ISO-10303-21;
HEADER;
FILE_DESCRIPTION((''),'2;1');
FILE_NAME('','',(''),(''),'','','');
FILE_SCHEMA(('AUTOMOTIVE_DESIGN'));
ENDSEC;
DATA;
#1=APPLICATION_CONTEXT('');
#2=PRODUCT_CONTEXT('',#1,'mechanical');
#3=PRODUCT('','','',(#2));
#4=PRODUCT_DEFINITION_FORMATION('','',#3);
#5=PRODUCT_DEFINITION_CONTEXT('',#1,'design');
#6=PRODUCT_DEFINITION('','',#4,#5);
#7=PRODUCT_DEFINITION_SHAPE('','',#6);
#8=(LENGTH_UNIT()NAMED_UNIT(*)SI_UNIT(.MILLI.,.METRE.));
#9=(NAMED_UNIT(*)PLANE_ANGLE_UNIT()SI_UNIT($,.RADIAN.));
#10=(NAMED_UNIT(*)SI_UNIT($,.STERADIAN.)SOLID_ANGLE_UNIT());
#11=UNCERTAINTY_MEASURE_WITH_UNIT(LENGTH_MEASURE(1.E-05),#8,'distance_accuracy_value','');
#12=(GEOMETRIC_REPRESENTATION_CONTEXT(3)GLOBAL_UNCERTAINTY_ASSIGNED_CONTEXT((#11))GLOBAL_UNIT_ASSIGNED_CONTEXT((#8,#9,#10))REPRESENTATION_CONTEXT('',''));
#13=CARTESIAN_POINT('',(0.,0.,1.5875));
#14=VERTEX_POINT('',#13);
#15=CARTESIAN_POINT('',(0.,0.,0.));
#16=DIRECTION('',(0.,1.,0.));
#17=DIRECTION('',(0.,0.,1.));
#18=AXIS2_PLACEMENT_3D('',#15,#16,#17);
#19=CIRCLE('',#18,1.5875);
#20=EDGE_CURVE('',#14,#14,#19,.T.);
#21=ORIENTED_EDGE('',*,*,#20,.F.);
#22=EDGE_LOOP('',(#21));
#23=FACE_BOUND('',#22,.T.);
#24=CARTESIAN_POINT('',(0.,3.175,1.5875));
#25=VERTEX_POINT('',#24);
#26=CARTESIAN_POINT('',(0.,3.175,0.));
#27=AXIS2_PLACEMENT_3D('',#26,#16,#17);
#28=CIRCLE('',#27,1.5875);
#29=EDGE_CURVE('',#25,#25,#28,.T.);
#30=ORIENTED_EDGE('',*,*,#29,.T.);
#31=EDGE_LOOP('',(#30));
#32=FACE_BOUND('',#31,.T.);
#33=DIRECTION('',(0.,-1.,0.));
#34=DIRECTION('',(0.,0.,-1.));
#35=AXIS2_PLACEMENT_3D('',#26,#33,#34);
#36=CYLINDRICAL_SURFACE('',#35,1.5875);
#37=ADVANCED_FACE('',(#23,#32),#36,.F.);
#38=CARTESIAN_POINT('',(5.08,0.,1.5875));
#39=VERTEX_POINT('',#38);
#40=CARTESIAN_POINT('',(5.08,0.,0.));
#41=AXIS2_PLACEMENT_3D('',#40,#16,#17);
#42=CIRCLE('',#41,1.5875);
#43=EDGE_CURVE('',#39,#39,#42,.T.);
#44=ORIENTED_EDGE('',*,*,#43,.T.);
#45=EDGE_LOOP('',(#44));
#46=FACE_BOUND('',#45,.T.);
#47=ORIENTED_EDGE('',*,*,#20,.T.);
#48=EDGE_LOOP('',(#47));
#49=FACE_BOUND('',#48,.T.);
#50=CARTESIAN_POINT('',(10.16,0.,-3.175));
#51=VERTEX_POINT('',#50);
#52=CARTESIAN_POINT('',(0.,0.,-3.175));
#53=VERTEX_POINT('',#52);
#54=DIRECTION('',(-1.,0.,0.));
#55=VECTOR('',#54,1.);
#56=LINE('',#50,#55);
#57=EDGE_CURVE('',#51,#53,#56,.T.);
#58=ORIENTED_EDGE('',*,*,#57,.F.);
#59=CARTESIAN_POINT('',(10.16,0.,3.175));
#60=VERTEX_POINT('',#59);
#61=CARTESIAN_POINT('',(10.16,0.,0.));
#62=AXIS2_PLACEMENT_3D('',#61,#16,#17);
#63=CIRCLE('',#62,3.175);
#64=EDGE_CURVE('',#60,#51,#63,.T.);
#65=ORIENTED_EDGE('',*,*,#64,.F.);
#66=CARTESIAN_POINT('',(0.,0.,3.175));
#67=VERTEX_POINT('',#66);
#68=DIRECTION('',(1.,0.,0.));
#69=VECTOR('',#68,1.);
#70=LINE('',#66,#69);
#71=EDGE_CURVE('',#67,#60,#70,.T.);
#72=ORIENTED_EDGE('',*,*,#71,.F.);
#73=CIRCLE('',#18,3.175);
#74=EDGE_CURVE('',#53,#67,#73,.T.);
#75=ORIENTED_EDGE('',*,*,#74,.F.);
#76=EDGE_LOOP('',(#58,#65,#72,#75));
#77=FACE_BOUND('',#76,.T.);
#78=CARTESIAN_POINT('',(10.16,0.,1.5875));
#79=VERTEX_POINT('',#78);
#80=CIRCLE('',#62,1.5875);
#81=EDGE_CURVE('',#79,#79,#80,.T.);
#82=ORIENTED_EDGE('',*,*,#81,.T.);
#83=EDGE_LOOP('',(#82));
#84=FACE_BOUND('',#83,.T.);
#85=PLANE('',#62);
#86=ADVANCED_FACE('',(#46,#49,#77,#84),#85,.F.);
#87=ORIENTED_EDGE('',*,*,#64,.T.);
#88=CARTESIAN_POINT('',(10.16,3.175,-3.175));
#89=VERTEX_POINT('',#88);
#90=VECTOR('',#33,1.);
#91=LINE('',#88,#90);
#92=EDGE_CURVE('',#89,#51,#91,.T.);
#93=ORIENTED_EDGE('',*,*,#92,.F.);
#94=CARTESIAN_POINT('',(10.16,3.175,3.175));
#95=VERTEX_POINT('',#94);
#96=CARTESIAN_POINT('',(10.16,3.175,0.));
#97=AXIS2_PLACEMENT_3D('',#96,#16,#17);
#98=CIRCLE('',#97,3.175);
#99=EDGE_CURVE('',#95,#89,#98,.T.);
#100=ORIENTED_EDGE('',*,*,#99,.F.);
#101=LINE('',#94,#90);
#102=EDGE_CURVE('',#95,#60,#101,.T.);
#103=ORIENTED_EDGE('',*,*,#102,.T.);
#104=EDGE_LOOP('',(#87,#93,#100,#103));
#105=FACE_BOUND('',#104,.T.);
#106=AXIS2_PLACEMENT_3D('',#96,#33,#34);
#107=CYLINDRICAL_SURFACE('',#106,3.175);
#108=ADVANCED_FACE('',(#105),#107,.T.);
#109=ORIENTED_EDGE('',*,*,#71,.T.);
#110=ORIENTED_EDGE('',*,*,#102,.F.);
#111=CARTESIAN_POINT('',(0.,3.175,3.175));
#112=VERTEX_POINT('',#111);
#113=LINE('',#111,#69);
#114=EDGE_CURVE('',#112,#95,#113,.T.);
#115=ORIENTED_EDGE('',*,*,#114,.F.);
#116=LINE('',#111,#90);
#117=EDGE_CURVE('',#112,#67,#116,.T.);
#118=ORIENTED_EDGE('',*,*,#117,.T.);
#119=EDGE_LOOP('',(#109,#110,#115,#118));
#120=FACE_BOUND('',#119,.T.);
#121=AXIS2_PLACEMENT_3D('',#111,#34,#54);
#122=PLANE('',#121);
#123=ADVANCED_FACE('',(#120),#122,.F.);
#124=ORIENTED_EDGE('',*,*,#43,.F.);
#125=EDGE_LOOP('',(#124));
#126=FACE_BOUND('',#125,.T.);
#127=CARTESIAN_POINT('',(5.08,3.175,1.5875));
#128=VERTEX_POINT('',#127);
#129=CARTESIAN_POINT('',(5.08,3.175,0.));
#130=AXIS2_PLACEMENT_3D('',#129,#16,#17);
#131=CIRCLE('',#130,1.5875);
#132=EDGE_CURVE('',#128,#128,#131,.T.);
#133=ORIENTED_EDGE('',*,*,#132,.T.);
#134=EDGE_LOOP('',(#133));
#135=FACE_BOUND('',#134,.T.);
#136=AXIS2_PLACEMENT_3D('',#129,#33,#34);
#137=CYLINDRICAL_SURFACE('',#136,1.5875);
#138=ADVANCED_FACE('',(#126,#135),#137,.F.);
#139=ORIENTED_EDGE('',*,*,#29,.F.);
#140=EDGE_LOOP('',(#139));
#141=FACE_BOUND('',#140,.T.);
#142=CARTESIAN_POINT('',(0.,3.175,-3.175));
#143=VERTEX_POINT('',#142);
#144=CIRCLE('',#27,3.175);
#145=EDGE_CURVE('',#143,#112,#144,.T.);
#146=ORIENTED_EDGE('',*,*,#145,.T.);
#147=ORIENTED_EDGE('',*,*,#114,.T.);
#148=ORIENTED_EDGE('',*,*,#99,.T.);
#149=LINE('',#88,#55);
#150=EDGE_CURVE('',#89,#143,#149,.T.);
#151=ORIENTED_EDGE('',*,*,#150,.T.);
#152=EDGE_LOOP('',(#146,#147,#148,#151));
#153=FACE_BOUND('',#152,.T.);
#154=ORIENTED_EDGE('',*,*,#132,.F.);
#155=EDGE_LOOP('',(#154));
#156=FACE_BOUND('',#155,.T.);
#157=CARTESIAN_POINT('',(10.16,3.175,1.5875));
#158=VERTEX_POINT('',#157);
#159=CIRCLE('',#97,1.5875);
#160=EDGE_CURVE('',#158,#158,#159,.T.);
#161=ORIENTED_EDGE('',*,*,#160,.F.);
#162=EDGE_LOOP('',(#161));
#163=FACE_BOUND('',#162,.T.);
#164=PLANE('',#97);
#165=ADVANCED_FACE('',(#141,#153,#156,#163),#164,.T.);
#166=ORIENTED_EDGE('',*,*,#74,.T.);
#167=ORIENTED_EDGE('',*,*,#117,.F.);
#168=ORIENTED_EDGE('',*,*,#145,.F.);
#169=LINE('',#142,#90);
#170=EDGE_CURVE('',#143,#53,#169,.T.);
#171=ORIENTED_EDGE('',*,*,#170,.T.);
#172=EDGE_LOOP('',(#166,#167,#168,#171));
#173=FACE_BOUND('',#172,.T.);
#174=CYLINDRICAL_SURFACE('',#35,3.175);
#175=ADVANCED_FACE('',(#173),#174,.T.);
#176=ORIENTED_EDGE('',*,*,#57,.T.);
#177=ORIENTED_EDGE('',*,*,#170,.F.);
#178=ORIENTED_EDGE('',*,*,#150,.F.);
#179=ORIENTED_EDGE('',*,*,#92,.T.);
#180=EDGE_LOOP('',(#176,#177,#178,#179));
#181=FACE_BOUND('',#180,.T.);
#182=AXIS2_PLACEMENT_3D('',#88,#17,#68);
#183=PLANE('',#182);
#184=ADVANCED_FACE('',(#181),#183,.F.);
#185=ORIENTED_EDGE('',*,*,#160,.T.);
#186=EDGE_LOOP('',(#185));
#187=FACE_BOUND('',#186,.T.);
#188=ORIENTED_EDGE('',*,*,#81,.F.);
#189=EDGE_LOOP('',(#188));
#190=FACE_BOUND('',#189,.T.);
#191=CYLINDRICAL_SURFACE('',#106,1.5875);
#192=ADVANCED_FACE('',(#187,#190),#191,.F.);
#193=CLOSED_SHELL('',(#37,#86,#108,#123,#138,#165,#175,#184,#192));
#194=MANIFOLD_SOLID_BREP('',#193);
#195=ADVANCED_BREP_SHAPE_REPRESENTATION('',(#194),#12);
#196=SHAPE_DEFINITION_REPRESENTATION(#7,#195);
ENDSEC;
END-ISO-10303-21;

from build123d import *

# Parameters (mm, degrees)
SKETCH1_R           = 1.5875
BOSS_EXTRUDE1_DEPTH = 3.175


with BuildPart() as part:
    # Sketch1 → Boss-Extrude1 (new body)
    with BuildSketch(Plane(origin=(0, 0, 0), x_dir=(1, 0, 0), z_dir=(0, 1, 0))):
        with BuildLine():
            Line((10.16, 3.175), (0, 3.175))
            ThreePointArc((0, 3.175), (-3.175, 0), (0, -3.175))
            Line((0, -3.175), (10.16, -3.175))
            ThreePointArc((10.16, -3.175), (13.335, 0), (10.16, 3.175))
        make_face()
        with Locations(Location((0, 0, 0), (0, 0, 270))):
            Circle(SKETCH1_R, mode=Mode.SUBTRACT)
        with Locations(Location((5.08, 0, 0), (0, 0, 270))):
            Circle(SKETCH1_R, mode=Mode.SUBTRACT)
        with Locations(Location((10.16, 0, 0), (0, 0, 270))):
            Circle(SKETCH1_R, mode=Mode.SUBTRACT)
    extrude(amount=BOSS_EXTRUDE1_DEPTH)


solid = part.part
